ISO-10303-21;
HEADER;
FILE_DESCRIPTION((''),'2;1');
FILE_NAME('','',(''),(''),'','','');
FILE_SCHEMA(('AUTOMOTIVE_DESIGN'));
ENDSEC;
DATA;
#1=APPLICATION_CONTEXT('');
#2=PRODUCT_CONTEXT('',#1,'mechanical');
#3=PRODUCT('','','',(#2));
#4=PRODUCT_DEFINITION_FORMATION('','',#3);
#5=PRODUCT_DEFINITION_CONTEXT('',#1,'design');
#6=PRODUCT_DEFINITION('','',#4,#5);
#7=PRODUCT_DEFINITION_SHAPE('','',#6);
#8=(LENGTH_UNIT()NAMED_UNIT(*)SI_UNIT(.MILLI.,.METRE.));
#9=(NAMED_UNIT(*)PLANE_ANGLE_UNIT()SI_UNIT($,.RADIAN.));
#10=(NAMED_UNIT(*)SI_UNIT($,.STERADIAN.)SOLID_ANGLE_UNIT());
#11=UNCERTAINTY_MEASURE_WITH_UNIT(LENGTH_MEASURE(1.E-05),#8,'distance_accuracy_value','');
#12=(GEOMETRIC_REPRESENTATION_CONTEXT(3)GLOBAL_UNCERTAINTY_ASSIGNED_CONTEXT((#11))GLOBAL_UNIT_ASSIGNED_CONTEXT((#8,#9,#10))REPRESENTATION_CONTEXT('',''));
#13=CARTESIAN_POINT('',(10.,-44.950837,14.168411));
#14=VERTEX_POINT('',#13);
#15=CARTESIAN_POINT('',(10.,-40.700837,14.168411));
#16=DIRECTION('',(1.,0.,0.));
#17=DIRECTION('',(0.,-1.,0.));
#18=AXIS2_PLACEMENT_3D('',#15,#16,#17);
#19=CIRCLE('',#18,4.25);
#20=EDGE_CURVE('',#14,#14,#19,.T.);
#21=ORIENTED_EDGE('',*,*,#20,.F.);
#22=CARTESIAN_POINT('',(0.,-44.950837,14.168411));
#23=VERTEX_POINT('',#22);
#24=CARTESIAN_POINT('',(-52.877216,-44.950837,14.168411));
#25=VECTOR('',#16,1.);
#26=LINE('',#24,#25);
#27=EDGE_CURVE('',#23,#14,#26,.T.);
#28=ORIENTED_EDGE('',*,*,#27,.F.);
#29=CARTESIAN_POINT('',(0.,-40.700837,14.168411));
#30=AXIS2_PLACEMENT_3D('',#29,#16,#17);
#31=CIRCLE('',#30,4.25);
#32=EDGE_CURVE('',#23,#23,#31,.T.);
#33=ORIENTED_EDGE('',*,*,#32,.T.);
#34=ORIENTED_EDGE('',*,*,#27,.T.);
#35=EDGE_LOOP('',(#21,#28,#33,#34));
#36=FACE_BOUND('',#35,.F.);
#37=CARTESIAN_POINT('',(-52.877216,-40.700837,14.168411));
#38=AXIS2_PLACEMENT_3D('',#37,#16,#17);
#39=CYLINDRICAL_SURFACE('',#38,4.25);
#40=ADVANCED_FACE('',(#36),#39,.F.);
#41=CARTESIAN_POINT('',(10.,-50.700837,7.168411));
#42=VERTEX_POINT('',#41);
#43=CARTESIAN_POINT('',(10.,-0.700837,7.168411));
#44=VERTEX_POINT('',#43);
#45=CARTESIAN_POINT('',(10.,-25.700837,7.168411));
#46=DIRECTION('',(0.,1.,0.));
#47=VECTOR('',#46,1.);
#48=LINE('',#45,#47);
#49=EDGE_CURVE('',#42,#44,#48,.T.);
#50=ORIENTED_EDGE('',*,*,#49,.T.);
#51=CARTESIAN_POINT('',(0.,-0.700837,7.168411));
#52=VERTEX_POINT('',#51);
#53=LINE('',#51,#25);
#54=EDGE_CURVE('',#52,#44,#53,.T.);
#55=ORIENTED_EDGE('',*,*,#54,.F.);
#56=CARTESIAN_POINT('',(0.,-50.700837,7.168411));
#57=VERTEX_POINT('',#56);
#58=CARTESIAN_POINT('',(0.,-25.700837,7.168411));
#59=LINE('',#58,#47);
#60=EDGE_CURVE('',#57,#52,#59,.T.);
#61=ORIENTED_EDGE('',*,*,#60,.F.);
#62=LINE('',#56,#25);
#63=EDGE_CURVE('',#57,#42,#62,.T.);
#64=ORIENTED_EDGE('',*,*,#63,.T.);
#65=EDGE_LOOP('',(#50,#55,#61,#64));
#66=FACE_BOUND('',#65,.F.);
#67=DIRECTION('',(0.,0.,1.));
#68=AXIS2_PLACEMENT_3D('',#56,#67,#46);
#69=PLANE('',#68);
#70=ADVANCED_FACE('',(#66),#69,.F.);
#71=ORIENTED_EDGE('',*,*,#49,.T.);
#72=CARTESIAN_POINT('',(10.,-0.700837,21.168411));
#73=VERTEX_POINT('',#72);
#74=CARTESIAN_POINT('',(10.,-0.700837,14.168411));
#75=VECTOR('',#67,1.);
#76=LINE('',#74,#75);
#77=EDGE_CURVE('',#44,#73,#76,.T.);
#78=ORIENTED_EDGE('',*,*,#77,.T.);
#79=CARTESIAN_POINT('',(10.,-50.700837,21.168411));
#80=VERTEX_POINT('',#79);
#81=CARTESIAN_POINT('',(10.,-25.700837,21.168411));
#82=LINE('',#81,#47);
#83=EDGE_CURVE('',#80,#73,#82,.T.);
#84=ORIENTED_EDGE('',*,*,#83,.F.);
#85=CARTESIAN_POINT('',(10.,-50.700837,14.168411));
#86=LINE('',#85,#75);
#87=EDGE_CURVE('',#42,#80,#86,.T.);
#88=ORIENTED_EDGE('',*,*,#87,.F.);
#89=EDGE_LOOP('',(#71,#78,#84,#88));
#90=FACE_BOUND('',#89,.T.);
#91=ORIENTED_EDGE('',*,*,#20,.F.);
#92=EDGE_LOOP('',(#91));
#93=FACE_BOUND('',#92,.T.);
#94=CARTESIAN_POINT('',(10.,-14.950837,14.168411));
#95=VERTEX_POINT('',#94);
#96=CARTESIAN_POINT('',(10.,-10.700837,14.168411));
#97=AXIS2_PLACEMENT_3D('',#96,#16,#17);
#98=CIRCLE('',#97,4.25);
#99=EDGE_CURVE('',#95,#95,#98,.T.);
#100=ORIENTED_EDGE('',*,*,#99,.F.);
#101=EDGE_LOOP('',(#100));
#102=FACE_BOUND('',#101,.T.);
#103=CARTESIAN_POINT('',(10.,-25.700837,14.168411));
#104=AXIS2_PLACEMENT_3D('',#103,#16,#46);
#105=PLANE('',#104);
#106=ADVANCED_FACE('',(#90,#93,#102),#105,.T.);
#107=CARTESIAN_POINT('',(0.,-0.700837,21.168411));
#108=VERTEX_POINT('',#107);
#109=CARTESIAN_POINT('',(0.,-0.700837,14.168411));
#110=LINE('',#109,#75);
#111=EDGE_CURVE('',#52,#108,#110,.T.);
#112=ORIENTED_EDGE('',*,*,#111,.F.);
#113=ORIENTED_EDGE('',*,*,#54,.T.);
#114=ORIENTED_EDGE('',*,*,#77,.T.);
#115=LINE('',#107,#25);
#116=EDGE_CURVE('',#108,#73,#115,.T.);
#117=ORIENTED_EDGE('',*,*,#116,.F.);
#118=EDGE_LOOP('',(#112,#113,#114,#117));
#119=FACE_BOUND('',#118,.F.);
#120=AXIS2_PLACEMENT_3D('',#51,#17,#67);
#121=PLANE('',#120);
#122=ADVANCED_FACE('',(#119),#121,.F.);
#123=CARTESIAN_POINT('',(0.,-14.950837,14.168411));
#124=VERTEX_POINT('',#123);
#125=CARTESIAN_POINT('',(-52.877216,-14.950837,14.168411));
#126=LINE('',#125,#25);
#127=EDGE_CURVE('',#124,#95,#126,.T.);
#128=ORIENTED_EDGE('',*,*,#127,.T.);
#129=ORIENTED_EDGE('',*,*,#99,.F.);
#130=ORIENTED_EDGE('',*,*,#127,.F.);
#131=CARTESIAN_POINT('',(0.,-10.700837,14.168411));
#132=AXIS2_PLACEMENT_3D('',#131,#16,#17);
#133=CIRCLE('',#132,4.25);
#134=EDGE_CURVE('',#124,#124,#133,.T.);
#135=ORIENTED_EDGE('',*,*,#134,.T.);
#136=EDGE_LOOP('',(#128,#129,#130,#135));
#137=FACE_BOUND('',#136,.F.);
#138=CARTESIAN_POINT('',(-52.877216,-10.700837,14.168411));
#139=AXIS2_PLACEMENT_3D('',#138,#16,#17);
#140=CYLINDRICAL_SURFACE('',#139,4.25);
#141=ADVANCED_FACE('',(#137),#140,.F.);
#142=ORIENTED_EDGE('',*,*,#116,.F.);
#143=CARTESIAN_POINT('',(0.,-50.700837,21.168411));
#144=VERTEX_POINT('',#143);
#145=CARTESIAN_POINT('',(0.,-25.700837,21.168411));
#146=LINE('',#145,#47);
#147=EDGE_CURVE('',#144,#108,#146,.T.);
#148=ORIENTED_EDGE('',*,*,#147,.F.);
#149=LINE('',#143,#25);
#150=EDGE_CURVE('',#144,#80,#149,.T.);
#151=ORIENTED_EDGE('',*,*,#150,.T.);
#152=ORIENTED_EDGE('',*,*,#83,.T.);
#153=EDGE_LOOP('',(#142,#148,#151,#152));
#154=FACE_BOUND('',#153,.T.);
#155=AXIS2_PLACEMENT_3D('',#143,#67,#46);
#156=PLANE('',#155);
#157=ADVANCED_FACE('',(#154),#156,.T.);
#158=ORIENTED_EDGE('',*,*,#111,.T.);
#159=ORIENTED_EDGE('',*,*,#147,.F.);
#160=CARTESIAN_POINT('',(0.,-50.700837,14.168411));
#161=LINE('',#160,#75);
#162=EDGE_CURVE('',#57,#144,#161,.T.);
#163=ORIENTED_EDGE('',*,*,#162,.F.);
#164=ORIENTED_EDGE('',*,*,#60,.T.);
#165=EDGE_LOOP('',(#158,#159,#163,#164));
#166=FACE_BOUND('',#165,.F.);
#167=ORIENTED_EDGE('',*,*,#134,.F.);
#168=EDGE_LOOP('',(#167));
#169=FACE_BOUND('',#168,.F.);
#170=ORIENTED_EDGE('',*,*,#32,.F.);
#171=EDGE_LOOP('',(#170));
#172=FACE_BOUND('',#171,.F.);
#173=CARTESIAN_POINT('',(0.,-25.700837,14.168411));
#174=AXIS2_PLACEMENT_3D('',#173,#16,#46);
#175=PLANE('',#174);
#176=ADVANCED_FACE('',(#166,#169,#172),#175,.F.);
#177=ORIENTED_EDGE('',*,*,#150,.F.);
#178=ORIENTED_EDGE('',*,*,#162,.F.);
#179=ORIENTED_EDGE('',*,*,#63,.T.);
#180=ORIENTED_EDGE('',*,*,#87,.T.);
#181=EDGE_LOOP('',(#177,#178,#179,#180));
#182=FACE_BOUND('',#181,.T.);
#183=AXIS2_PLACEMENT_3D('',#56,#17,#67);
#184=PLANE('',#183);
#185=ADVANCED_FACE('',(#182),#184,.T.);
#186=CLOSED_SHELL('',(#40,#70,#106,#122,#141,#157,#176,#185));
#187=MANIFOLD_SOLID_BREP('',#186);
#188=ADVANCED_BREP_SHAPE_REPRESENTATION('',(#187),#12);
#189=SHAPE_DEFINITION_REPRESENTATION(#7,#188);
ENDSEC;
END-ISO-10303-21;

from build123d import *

# Parameters (mm, degrees)
F0_W     = 50
F0_H     = 14
F1_DEPTH = 10
F2_D     = 8.5


with BuildPart() as f1:
    # F0 (on Right) → F1 (new body)
    with BuildSketch(Plane.YZ):
        with Locations((-25.7008373737, 14.168410562)):
            Rectangle(F0_W, F0_H)
    extrude(amount=F1_DEPTH)

    # F2 (through all)
    with Locations(Plane(origin=(0, 0, 0), x_dir=(0, 1, 0), z_dir=(-1, 0, 0))):
        with Locations((-40.7008373737, -14.168410562), (-10.7008373737, -14.168410562)):
            Hole(F2_D / 2)


solid = f1.part
